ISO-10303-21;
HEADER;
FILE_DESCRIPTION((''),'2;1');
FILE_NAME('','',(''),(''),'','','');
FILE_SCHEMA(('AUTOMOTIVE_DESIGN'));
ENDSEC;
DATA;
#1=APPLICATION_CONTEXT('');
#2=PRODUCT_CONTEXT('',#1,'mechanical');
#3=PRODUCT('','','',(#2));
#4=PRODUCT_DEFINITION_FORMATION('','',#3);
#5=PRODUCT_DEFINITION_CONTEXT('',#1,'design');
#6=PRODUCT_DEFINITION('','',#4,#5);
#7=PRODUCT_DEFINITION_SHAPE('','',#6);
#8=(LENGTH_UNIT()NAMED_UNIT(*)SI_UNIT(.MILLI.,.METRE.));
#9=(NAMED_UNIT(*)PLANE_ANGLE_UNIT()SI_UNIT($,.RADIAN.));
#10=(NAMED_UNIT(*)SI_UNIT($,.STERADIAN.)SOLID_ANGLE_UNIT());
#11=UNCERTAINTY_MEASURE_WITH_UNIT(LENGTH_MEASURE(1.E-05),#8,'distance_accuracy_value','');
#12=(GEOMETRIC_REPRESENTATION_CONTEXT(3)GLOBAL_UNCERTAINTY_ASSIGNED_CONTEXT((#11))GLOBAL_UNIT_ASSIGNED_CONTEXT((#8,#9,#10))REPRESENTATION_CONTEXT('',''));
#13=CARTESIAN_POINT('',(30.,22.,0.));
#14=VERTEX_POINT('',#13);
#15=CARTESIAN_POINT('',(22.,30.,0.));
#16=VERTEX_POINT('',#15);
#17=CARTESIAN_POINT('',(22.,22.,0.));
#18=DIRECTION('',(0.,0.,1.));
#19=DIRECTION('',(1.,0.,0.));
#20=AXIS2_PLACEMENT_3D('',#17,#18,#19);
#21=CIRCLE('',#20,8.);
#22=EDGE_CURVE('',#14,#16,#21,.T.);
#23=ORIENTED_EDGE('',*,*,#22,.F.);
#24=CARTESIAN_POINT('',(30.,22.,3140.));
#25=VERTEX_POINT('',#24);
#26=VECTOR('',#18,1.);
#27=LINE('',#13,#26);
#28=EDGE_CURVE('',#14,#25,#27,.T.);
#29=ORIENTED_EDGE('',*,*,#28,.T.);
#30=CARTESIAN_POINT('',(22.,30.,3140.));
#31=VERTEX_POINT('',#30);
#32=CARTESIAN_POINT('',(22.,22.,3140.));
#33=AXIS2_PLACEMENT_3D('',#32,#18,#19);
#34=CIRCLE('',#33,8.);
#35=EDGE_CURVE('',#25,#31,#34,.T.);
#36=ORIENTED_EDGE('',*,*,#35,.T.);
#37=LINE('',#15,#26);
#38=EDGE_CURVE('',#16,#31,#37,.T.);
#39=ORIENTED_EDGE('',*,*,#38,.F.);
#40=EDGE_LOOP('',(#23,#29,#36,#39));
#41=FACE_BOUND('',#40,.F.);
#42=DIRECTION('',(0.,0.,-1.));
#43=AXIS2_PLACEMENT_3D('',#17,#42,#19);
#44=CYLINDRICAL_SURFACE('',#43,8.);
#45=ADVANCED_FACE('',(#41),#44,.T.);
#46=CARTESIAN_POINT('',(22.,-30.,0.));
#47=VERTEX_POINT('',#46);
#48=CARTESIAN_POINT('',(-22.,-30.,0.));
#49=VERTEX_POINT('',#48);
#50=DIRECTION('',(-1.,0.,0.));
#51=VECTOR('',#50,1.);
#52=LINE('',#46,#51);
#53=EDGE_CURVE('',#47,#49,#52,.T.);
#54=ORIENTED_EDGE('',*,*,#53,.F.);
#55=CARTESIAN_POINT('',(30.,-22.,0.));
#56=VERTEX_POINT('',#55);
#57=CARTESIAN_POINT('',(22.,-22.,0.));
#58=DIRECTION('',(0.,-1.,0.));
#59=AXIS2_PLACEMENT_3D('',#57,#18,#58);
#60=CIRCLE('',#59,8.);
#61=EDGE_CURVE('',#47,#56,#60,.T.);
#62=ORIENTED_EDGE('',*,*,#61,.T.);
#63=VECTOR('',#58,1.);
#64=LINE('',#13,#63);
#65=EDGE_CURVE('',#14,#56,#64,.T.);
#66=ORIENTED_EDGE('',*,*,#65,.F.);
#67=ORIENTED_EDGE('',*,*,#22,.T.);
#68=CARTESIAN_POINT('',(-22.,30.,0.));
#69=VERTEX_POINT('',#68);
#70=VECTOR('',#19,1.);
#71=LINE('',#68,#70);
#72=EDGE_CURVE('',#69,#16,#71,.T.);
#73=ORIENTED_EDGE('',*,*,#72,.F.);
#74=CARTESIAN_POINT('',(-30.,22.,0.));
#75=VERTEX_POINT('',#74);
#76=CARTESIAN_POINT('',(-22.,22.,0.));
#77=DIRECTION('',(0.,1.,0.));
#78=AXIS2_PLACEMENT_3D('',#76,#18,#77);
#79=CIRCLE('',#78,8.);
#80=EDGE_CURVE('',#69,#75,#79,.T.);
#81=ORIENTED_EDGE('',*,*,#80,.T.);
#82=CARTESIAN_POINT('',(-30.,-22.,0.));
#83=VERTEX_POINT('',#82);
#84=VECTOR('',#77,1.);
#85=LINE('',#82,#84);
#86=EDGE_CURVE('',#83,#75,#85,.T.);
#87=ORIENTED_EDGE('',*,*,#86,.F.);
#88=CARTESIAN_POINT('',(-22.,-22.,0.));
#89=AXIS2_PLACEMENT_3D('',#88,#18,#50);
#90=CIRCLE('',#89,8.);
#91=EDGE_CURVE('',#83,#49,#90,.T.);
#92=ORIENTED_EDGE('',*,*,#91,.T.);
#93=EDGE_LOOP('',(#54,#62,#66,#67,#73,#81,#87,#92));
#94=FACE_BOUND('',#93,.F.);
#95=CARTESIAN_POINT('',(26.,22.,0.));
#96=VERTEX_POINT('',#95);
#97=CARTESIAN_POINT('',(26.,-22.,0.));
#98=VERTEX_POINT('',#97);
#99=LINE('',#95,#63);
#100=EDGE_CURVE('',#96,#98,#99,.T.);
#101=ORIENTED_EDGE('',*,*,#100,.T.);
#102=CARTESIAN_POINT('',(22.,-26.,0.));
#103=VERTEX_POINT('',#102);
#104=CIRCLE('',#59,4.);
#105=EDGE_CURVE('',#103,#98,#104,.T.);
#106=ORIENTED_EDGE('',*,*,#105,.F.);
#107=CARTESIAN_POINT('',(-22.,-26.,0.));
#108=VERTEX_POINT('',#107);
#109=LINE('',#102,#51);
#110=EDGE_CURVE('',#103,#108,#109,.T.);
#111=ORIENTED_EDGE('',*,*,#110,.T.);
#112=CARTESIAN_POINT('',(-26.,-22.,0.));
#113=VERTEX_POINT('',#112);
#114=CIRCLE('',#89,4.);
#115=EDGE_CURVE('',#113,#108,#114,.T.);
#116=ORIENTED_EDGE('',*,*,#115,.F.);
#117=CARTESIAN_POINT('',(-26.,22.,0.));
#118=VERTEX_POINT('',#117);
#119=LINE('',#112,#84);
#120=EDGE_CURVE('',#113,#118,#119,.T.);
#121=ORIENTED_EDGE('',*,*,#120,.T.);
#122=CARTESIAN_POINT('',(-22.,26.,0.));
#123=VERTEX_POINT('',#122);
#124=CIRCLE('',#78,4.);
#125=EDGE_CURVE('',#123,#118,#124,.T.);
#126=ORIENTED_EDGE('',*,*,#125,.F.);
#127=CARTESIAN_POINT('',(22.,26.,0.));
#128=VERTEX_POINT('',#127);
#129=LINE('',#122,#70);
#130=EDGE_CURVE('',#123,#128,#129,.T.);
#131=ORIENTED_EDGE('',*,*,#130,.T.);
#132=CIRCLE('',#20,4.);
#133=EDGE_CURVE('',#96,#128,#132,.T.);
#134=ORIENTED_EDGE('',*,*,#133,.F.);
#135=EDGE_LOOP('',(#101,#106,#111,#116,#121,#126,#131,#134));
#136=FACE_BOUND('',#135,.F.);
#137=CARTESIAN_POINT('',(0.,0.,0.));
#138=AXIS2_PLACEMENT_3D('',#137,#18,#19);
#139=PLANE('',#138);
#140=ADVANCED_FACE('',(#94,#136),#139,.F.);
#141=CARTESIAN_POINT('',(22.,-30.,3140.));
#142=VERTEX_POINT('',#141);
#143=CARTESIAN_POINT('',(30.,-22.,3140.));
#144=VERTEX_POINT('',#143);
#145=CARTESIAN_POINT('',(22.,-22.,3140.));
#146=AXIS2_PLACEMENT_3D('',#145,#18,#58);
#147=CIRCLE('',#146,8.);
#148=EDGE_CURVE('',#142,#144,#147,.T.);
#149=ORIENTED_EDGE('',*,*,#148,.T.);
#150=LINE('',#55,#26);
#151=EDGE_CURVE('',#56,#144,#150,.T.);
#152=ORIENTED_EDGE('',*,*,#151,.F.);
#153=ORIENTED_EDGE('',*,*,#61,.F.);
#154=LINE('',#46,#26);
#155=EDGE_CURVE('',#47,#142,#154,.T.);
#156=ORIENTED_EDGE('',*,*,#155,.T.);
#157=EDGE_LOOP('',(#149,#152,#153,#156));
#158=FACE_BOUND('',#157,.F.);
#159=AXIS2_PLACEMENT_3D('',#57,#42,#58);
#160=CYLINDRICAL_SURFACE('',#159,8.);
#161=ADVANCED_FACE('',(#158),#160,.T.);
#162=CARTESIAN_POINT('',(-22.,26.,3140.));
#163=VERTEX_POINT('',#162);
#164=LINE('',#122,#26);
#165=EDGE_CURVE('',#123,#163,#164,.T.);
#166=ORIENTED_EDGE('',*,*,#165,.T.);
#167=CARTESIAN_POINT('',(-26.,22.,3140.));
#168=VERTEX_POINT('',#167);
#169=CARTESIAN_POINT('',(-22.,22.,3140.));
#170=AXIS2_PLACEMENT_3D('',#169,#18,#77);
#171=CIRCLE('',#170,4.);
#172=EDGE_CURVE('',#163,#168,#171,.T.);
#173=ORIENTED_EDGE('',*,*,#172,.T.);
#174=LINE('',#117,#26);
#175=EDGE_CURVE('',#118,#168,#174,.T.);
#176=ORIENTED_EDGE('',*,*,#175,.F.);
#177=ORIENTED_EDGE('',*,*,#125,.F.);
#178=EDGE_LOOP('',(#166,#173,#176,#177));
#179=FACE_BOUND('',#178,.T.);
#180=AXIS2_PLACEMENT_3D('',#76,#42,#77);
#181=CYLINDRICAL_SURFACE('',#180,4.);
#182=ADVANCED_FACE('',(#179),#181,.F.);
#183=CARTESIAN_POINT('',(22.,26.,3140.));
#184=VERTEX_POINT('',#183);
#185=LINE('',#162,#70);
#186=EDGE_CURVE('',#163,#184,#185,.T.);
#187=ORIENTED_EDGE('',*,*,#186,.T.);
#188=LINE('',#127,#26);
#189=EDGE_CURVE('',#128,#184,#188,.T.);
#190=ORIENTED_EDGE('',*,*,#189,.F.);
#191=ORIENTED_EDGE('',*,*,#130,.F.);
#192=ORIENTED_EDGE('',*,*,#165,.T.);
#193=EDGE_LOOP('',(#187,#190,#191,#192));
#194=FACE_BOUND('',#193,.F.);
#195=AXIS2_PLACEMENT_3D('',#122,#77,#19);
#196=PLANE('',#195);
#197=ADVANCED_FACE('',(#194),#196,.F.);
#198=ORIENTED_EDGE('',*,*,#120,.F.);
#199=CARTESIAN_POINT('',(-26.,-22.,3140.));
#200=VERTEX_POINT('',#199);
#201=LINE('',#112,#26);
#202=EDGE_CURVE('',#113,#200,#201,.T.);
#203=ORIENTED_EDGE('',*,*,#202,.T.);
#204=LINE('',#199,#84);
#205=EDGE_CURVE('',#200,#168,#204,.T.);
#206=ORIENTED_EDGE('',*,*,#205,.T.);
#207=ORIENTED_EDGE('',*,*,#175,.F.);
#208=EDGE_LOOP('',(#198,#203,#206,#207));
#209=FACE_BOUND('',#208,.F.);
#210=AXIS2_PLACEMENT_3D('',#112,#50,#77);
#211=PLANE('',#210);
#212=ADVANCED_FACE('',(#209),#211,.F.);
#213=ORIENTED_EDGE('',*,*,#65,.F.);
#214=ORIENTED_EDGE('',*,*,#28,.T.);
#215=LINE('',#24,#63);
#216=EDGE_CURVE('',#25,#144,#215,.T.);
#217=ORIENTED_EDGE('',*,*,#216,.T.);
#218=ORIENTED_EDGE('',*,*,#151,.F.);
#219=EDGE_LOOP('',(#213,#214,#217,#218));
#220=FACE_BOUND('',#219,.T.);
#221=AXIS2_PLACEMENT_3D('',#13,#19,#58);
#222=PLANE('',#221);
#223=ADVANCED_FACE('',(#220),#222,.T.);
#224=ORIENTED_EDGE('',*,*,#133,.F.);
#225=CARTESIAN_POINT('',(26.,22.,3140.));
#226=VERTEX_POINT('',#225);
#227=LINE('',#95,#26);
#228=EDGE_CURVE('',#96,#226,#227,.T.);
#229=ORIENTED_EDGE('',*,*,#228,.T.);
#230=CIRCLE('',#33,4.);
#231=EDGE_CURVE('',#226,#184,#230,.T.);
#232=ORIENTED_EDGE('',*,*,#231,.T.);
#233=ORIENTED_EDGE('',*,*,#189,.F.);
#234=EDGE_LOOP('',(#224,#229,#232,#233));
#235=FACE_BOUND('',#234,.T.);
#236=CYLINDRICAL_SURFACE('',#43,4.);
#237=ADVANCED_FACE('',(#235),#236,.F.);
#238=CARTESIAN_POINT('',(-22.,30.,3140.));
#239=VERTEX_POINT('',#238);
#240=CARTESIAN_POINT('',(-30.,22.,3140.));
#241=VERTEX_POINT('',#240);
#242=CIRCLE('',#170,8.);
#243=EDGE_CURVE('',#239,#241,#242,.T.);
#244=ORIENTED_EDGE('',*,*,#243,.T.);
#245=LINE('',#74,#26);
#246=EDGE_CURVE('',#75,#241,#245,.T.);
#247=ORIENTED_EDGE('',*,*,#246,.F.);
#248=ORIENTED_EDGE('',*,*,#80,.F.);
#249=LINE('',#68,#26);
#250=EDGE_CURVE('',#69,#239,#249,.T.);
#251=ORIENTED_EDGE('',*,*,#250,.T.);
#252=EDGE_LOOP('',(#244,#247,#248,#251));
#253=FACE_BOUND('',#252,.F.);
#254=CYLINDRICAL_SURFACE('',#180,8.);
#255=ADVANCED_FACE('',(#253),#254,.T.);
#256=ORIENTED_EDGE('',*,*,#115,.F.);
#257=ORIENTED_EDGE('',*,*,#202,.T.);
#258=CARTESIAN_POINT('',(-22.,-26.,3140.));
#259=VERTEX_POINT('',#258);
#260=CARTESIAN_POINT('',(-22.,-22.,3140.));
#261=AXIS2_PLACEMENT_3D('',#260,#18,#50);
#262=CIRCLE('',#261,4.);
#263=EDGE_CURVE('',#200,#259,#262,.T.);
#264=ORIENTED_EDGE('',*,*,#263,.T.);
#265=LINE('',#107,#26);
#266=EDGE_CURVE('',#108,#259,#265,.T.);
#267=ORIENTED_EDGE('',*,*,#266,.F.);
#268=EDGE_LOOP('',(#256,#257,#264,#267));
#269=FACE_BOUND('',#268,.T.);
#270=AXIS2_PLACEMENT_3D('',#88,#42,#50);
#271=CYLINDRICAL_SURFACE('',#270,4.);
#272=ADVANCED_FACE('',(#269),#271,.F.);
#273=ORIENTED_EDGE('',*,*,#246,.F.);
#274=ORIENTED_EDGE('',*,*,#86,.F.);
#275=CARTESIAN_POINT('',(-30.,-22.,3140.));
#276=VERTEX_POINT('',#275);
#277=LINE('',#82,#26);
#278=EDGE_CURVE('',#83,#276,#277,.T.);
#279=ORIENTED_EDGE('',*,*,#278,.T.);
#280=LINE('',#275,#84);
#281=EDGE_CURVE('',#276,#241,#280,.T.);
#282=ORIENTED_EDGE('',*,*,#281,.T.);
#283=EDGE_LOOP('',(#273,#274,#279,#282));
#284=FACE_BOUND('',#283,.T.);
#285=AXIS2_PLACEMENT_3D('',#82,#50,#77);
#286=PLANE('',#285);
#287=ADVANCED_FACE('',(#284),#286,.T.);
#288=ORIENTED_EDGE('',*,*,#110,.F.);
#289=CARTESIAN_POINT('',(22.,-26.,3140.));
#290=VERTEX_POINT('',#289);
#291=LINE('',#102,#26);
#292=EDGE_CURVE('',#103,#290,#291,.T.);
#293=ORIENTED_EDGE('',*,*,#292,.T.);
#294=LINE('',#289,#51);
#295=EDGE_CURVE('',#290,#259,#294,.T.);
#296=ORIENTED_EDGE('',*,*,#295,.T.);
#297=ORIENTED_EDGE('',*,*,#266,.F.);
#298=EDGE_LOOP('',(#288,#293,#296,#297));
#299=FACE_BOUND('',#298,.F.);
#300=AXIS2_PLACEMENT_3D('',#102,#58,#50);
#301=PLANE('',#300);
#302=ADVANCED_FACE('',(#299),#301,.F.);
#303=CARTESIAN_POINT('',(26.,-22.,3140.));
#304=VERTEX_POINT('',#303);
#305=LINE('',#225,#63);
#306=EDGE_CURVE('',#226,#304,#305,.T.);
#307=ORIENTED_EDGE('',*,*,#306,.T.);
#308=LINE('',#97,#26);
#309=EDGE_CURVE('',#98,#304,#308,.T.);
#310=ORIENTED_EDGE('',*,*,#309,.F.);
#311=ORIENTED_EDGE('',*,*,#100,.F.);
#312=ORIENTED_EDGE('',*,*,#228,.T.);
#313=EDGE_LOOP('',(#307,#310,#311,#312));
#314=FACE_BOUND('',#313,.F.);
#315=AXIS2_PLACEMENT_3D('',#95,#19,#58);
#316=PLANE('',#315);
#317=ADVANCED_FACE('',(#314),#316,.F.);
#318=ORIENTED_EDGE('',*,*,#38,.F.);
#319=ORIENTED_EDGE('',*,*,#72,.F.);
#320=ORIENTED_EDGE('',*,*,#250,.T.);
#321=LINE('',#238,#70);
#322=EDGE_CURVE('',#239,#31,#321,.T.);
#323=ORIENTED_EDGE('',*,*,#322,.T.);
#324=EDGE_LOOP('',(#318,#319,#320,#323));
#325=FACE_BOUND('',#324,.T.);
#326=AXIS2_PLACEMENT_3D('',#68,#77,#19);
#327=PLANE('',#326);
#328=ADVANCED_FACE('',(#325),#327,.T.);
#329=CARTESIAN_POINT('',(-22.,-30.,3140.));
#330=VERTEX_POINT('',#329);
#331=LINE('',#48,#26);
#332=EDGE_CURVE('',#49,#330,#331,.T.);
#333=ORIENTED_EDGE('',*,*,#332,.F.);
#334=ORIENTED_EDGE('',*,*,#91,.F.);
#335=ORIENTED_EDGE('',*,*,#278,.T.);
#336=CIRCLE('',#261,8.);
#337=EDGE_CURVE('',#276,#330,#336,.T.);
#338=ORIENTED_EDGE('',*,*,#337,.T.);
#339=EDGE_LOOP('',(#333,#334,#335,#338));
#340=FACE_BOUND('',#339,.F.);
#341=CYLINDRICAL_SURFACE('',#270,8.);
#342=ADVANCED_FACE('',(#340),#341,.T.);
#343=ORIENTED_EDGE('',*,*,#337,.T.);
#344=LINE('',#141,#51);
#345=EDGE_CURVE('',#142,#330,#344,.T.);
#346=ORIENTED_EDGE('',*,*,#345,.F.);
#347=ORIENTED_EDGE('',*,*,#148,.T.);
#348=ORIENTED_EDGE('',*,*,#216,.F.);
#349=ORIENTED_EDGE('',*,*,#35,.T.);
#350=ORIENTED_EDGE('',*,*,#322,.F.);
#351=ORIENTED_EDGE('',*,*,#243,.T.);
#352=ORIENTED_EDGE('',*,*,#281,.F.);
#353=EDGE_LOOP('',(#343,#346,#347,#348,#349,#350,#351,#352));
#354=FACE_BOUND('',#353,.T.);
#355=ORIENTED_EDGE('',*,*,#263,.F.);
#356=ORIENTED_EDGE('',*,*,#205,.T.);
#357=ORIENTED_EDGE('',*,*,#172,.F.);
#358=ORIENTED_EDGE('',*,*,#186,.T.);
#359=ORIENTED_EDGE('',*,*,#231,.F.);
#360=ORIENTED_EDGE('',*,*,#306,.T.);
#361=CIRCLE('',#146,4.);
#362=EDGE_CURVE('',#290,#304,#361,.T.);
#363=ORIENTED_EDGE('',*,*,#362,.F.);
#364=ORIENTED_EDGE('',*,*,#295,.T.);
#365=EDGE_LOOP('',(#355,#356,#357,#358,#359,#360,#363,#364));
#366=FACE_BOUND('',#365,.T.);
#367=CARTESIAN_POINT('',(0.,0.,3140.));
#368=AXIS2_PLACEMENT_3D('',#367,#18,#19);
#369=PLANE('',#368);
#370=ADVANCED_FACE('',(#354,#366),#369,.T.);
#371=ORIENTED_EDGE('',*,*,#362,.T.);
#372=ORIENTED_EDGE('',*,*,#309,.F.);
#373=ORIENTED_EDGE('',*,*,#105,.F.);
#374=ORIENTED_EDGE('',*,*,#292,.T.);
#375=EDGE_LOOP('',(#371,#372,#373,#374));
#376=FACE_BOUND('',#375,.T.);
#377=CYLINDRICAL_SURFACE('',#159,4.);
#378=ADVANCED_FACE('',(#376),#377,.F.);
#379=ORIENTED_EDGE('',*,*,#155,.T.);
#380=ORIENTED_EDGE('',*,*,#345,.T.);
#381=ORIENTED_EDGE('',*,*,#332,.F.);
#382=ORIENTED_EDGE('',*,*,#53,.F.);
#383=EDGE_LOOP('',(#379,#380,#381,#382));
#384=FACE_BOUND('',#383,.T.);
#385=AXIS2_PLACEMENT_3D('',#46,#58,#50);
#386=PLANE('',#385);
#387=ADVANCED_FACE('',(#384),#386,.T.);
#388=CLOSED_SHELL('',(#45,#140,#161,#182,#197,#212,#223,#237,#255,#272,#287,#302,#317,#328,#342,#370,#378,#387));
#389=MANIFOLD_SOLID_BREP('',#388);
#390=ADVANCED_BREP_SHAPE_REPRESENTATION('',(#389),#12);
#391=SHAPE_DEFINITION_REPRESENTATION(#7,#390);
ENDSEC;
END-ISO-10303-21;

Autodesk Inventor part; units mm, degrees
ref_plane "Start Plane" through (0, 0, 0) normal (0, 0, 1) x (1, 0, 0)
ref_plane "End Plane" through (0, 0, 3140) normal (0, 0, 1) x (1, 0, 0)
sketch "Sketch" plane through (0, 0, 0) normal (0, 0, 1) x (1, 0, 0)
  line L0 (-30, -22) -> (-30, 22)
  line L1 (-22, 30) -> (22, 30)
  line L2 (30, 22) -> (30, -22)
  line L3 (22, -30) -> (-22, -30)
  arc A0 (-30, -22) -> (-22, -30) centre (-22, -22) ccw
  arc A1 (30, 22) -> (22, 30) centre (22, 22) ccw
  arc A2 (-22, 30) -> (-30, 22) centre (-22, 22) ccw
  arc A3 (22, -30) -> (30, -22) centre (22, -22) ccw
  arc A4 (-22, 26) -> (-26, 22) centre (-22, 22) ccw
  line L4 (-22, 26) -> (22, 26)
  arc A5 (26, 22) -> (22, 26) centre (22, 22) ccw
  line L5 (26, 22) -> (26, -22)
  arc A6 (22, -26) -> (26, -22) centre (22, -22) ccw
  line L6 (22, -26) -> (-22, -26)
  arc A7 (-26, -22) -> (-22, -26) centre (-22, -22) ccw
  line L7 (-26, -22) -> (-26, 22)
  line L8 (0, 44.3196) -> (0, -44.3196) construction
  line L9 (-44.3196, 0) -> (44.3196, 0) construction
  dimension "d7" = 8
  dimension "d9" = 60
  dimension "d11" = 60
  dimension "d12" = 4
  dimension "d15" = 30
  dimension "d16" = 30
extrude "Body" add sketch "Sketch" along normal up to surface (3140 mm away) from surface at 0
sketch "Sketch3" plane through (0, 0, 0) normal (0, 0, 1) x (1, 0, 0)
  line L0 (0, 0) -> (10, 0)
ref_plane "Work Plane3" through (0, 0, 0) normal (0, -1, 0) x (1, 0, 0)
ref_plane "Work Plane4" through (22, 30, 3140) normal (0, 0, 1) x (1, 0, 0)
split "Split1" plane through (22, 30, 3140) removes the side toward (0, 0, 1)
sketch "Sketch4" plane through (0, 0, 0) normal (0, -1, 0) x (1, 0, 0)
  line L0 (-2, 0) -> (12, 0) projected
  line L1 (-2, 3140) -> (12, 3140) projected
  dimension "d18" = 3140
equation "\"d7\" = G_IR"
equation "\"d9\" = G_W"
equation "\"d11\" = G_H"
equation "\"d12\" = G_T"
equation "\"d15\" = 0.5 * d9"
equation "\"d16\" = 0.5 * d11"
equation "\"d3\" = G_L"
equation "\"G_W\" = 60"
equation "\"G_H\" = 60"
equation "\"G_T\" = 4"
equation "\"G_IR\" = 8"
equation "\"G_L\" = d18"
equation "\"G_OFFSET_START\" = 0"
properties part number "ISO 4019 - 60x60x4 - 3140" material "Steel, Mild"
